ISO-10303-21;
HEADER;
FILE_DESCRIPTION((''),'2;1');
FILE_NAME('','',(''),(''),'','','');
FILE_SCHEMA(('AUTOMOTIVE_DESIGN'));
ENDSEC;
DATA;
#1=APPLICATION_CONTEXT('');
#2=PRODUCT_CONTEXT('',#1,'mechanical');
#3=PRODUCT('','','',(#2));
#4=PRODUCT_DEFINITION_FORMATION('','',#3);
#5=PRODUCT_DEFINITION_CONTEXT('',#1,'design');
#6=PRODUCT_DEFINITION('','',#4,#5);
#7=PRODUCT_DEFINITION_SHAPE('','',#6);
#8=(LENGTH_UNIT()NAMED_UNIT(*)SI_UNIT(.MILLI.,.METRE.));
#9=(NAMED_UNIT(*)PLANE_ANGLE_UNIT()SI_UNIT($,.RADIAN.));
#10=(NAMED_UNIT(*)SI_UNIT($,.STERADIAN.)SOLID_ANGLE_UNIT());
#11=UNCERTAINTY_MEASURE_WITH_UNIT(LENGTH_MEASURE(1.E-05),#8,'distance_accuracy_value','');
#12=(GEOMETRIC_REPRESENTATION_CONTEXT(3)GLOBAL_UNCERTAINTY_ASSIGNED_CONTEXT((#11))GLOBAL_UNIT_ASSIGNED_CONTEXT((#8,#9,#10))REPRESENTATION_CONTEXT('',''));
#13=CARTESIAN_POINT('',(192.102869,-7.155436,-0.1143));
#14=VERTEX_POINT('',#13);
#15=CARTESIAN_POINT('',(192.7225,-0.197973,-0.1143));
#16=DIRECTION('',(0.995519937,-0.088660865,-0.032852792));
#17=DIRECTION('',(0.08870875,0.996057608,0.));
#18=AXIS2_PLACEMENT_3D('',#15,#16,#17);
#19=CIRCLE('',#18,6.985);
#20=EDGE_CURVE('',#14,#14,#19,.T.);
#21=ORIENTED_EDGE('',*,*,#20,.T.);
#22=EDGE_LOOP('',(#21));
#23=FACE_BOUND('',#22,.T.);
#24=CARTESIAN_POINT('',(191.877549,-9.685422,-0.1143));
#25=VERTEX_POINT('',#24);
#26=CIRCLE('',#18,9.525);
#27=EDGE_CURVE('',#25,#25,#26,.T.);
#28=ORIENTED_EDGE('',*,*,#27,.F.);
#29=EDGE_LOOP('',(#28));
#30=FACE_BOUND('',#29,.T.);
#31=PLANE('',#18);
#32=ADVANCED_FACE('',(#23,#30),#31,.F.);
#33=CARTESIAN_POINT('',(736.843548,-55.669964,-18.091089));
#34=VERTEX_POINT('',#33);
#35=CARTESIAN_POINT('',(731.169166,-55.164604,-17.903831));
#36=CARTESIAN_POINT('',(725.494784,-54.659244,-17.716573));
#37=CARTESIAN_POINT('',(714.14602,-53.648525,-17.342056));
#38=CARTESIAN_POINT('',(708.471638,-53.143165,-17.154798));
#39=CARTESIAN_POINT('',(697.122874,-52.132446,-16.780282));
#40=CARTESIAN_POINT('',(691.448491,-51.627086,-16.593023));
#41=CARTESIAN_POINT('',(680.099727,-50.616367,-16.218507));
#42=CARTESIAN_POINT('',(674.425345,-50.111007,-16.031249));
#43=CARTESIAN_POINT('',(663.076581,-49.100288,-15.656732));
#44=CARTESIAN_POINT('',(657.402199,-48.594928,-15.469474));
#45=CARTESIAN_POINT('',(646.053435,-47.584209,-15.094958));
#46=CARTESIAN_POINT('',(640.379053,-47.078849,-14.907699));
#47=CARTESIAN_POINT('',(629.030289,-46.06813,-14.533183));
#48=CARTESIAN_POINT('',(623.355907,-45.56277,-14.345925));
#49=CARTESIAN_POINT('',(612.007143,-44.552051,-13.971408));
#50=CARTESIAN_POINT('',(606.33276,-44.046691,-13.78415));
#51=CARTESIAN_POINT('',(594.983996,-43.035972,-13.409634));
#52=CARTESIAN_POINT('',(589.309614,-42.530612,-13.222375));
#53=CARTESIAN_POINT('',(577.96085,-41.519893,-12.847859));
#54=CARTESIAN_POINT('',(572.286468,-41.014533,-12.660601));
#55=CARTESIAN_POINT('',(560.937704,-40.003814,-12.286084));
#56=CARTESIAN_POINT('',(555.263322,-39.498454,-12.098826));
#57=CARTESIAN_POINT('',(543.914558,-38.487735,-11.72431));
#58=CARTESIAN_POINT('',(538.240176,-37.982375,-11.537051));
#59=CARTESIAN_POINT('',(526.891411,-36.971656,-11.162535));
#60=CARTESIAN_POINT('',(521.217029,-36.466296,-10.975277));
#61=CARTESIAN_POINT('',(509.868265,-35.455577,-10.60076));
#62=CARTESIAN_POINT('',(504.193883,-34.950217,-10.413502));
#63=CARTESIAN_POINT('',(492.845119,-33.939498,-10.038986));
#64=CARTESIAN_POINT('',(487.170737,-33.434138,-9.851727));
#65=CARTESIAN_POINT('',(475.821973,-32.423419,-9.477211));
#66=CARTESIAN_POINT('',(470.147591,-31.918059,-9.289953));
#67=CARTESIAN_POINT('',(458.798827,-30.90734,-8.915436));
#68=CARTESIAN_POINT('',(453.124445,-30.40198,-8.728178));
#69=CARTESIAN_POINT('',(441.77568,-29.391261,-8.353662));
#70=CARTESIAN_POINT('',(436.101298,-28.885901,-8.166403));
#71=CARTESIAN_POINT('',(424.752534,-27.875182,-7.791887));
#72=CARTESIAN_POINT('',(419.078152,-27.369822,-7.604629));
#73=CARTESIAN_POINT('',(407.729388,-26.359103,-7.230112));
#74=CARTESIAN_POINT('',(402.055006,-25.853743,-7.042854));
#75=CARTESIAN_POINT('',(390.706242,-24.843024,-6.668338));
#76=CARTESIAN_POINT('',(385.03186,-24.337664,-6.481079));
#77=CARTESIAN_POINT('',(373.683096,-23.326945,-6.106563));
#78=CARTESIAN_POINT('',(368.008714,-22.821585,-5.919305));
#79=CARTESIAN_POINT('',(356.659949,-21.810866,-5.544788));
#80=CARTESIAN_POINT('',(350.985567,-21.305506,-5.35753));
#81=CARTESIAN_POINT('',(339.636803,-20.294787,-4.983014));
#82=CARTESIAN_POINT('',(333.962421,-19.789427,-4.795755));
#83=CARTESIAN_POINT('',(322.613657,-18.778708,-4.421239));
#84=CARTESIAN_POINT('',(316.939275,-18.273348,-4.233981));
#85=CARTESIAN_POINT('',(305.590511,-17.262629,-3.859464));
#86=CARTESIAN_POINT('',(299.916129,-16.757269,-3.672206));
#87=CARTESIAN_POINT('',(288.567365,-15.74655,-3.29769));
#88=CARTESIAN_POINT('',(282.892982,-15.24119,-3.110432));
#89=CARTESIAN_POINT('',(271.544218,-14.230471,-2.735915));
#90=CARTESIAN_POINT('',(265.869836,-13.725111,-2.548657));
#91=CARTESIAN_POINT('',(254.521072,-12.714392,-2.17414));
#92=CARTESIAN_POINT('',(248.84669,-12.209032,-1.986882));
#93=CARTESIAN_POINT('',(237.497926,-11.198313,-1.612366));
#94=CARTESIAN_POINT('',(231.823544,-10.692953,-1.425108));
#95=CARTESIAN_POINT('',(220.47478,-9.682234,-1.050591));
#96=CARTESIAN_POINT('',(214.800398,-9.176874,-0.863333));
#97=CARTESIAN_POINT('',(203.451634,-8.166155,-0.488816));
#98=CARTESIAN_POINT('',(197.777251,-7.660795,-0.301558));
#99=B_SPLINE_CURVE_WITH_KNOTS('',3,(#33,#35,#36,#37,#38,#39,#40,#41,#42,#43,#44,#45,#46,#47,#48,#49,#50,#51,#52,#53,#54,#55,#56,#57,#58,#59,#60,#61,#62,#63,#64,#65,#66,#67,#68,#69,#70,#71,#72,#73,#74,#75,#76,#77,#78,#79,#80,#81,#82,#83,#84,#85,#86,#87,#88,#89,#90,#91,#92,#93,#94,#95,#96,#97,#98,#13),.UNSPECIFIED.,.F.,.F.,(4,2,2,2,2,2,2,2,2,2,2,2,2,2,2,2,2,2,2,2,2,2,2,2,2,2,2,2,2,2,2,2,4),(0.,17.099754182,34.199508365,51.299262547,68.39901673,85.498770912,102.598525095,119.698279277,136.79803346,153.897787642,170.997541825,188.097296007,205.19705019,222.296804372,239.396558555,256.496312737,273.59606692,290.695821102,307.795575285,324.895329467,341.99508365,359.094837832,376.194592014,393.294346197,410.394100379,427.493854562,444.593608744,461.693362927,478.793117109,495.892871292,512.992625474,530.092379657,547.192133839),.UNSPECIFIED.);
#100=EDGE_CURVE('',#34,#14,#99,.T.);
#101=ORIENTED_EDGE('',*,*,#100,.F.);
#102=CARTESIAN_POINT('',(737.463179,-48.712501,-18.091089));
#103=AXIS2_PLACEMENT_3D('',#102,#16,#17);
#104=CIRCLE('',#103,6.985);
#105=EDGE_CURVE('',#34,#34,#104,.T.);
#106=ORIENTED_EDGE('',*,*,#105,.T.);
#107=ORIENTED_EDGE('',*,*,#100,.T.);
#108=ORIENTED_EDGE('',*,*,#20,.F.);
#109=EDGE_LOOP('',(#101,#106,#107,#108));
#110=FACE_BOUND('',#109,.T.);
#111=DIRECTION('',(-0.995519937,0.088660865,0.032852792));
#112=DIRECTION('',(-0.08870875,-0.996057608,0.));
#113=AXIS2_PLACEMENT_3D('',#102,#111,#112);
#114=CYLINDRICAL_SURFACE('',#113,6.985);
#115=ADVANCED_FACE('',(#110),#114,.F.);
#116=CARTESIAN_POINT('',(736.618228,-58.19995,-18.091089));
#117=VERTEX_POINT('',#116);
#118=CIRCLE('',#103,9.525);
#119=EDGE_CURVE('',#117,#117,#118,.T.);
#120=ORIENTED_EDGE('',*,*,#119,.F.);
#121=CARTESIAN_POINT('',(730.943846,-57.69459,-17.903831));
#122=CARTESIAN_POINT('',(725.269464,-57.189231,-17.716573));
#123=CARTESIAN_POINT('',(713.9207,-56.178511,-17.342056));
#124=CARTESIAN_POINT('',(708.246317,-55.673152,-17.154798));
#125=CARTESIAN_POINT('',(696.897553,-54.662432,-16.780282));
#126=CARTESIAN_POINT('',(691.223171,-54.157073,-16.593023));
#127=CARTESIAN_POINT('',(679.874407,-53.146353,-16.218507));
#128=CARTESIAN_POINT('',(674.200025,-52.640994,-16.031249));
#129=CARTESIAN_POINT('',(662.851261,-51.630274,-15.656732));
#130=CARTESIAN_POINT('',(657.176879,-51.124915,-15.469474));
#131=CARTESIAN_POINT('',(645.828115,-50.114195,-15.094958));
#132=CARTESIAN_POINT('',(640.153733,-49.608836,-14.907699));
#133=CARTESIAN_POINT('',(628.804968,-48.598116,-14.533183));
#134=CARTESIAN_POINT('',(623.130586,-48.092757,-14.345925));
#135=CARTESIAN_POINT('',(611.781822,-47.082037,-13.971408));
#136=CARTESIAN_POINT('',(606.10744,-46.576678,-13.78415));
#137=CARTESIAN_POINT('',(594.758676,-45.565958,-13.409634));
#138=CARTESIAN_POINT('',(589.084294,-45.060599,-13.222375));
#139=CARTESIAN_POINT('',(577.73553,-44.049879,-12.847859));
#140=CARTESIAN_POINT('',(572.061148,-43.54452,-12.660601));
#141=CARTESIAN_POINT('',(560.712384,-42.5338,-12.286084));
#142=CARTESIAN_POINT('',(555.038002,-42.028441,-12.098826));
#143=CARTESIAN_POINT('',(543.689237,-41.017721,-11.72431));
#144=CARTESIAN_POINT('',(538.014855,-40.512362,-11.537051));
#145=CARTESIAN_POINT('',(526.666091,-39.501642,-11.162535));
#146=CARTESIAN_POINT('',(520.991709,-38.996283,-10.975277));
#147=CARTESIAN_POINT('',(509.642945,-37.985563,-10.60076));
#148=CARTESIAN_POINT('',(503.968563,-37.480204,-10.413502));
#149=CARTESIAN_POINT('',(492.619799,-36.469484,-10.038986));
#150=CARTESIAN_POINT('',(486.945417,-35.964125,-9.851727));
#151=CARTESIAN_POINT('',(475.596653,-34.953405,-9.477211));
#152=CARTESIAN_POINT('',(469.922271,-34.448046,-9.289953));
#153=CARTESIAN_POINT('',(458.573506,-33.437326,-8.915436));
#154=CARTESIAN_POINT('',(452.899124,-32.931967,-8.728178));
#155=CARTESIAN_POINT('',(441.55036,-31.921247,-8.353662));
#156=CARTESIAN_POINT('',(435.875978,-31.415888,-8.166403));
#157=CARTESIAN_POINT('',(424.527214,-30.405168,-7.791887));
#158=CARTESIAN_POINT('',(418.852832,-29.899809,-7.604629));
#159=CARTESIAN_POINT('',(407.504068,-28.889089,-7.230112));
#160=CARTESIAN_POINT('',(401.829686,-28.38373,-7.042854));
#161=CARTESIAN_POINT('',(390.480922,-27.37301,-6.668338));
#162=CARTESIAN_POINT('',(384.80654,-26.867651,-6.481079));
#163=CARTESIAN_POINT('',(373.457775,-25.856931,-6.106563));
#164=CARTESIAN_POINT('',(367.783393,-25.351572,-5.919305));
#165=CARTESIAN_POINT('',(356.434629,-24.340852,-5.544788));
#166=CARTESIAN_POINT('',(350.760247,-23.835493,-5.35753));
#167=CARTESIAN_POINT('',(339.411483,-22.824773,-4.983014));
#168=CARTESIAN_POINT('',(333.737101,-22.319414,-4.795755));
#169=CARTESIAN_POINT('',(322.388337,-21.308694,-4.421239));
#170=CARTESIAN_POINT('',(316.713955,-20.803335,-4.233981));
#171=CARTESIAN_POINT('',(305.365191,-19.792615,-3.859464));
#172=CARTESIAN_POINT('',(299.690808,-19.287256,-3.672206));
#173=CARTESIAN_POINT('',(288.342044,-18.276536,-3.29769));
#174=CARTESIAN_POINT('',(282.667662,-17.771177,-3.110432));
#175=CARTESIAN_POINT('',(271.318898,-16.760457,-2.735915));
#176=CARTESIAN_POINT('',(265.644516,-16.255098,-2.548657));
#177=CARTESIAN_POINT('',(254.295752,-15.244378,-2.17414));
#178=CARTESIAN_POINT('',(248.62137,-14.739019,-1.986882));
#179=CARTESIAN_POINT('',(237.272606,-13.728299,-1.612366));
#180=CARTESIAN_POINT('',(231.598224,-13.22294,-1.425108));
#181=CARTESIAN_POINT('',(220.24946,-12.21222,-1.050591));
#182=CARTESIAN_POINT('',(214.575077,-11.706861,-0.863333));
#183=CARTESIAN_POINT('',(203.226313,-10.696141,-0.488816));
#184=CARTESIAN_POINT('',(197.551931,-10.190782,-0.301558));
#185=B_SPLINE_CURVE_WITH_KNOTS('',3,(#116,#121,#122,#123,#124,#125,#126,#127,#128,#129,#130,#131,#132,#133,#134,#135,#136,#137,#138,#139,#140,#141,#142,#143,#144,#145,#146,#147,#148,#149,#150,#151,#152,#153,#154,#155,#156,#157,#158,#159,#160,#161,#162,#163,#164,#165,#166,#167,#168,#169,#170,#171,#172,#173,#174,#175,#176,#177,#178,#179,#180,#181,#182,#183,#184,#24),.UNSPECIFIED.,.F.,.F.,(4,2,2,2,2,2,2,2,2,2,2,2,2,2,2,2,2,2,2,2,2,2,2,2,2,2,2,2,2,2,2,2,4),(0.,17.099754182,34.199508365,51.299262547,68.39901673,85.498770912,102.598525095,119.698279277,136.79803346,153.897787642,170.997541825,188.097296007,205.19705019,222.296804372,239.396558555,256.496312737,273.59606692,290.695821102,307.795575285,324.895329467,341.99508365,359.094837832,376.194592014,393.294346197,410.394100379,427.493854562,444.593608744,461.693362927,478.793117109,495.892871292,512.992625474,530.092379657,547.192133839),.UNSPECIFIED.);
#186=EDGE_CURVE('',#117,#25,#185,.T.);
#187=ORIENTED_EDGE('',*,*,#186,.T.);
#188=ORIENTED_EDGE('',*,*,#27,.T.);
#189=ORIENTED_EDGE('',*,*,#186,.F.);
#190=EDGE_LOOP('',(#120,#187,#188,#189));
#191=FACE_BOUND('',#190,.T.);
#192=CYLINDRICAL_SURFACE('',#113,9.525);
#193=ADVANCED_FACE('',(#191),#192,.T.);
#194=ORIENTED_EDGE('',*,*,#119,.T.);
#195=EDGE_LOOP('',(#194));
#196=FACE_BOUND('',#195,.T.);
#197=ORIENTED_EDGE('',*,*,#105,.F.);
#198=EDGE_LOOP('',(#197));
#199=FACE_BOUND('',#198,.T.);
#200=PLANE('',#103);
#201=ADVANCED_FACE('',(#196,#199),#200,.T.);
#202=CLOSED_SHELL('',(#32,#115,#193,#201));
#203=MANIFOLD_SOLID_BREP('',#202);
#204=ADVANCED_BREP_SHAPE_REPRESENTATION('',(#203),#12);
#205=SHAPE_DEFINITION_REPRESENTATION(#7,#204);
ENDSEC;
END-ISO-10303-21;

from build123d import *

# Parameters (mm, degrees)
SKETCH1_R                               = 9.525
SKETCH1_R_2                             = 6.985
PIPE_STANDARD_S40_PIPE_1_SCH_40_1_DEPTH = 547.192133839


with BuildPart() as part:
    # Sketch1 → Pipe standard s40 PIPE 1 SCH 40(1) (new body)
    with BuildSketch(Plane(origin=(192.7225, -0.197973407, -0.1143), x_dir=(-0.024725022684493236, 0.09126186565178956, -0.9955199370836357), z_dir=(0.9955199370836357, -0.08866086485698889, -0.032852791537474245))):
        Circle(SKETCH1_R)
        Circle(SKETCH1_R_2, mode=Mode.SUBTRACT)
    extrude(amount=PIPE_STANDARD_S40_PIPE_1_SCH_40_1_DEPTH)


solid = part.part
